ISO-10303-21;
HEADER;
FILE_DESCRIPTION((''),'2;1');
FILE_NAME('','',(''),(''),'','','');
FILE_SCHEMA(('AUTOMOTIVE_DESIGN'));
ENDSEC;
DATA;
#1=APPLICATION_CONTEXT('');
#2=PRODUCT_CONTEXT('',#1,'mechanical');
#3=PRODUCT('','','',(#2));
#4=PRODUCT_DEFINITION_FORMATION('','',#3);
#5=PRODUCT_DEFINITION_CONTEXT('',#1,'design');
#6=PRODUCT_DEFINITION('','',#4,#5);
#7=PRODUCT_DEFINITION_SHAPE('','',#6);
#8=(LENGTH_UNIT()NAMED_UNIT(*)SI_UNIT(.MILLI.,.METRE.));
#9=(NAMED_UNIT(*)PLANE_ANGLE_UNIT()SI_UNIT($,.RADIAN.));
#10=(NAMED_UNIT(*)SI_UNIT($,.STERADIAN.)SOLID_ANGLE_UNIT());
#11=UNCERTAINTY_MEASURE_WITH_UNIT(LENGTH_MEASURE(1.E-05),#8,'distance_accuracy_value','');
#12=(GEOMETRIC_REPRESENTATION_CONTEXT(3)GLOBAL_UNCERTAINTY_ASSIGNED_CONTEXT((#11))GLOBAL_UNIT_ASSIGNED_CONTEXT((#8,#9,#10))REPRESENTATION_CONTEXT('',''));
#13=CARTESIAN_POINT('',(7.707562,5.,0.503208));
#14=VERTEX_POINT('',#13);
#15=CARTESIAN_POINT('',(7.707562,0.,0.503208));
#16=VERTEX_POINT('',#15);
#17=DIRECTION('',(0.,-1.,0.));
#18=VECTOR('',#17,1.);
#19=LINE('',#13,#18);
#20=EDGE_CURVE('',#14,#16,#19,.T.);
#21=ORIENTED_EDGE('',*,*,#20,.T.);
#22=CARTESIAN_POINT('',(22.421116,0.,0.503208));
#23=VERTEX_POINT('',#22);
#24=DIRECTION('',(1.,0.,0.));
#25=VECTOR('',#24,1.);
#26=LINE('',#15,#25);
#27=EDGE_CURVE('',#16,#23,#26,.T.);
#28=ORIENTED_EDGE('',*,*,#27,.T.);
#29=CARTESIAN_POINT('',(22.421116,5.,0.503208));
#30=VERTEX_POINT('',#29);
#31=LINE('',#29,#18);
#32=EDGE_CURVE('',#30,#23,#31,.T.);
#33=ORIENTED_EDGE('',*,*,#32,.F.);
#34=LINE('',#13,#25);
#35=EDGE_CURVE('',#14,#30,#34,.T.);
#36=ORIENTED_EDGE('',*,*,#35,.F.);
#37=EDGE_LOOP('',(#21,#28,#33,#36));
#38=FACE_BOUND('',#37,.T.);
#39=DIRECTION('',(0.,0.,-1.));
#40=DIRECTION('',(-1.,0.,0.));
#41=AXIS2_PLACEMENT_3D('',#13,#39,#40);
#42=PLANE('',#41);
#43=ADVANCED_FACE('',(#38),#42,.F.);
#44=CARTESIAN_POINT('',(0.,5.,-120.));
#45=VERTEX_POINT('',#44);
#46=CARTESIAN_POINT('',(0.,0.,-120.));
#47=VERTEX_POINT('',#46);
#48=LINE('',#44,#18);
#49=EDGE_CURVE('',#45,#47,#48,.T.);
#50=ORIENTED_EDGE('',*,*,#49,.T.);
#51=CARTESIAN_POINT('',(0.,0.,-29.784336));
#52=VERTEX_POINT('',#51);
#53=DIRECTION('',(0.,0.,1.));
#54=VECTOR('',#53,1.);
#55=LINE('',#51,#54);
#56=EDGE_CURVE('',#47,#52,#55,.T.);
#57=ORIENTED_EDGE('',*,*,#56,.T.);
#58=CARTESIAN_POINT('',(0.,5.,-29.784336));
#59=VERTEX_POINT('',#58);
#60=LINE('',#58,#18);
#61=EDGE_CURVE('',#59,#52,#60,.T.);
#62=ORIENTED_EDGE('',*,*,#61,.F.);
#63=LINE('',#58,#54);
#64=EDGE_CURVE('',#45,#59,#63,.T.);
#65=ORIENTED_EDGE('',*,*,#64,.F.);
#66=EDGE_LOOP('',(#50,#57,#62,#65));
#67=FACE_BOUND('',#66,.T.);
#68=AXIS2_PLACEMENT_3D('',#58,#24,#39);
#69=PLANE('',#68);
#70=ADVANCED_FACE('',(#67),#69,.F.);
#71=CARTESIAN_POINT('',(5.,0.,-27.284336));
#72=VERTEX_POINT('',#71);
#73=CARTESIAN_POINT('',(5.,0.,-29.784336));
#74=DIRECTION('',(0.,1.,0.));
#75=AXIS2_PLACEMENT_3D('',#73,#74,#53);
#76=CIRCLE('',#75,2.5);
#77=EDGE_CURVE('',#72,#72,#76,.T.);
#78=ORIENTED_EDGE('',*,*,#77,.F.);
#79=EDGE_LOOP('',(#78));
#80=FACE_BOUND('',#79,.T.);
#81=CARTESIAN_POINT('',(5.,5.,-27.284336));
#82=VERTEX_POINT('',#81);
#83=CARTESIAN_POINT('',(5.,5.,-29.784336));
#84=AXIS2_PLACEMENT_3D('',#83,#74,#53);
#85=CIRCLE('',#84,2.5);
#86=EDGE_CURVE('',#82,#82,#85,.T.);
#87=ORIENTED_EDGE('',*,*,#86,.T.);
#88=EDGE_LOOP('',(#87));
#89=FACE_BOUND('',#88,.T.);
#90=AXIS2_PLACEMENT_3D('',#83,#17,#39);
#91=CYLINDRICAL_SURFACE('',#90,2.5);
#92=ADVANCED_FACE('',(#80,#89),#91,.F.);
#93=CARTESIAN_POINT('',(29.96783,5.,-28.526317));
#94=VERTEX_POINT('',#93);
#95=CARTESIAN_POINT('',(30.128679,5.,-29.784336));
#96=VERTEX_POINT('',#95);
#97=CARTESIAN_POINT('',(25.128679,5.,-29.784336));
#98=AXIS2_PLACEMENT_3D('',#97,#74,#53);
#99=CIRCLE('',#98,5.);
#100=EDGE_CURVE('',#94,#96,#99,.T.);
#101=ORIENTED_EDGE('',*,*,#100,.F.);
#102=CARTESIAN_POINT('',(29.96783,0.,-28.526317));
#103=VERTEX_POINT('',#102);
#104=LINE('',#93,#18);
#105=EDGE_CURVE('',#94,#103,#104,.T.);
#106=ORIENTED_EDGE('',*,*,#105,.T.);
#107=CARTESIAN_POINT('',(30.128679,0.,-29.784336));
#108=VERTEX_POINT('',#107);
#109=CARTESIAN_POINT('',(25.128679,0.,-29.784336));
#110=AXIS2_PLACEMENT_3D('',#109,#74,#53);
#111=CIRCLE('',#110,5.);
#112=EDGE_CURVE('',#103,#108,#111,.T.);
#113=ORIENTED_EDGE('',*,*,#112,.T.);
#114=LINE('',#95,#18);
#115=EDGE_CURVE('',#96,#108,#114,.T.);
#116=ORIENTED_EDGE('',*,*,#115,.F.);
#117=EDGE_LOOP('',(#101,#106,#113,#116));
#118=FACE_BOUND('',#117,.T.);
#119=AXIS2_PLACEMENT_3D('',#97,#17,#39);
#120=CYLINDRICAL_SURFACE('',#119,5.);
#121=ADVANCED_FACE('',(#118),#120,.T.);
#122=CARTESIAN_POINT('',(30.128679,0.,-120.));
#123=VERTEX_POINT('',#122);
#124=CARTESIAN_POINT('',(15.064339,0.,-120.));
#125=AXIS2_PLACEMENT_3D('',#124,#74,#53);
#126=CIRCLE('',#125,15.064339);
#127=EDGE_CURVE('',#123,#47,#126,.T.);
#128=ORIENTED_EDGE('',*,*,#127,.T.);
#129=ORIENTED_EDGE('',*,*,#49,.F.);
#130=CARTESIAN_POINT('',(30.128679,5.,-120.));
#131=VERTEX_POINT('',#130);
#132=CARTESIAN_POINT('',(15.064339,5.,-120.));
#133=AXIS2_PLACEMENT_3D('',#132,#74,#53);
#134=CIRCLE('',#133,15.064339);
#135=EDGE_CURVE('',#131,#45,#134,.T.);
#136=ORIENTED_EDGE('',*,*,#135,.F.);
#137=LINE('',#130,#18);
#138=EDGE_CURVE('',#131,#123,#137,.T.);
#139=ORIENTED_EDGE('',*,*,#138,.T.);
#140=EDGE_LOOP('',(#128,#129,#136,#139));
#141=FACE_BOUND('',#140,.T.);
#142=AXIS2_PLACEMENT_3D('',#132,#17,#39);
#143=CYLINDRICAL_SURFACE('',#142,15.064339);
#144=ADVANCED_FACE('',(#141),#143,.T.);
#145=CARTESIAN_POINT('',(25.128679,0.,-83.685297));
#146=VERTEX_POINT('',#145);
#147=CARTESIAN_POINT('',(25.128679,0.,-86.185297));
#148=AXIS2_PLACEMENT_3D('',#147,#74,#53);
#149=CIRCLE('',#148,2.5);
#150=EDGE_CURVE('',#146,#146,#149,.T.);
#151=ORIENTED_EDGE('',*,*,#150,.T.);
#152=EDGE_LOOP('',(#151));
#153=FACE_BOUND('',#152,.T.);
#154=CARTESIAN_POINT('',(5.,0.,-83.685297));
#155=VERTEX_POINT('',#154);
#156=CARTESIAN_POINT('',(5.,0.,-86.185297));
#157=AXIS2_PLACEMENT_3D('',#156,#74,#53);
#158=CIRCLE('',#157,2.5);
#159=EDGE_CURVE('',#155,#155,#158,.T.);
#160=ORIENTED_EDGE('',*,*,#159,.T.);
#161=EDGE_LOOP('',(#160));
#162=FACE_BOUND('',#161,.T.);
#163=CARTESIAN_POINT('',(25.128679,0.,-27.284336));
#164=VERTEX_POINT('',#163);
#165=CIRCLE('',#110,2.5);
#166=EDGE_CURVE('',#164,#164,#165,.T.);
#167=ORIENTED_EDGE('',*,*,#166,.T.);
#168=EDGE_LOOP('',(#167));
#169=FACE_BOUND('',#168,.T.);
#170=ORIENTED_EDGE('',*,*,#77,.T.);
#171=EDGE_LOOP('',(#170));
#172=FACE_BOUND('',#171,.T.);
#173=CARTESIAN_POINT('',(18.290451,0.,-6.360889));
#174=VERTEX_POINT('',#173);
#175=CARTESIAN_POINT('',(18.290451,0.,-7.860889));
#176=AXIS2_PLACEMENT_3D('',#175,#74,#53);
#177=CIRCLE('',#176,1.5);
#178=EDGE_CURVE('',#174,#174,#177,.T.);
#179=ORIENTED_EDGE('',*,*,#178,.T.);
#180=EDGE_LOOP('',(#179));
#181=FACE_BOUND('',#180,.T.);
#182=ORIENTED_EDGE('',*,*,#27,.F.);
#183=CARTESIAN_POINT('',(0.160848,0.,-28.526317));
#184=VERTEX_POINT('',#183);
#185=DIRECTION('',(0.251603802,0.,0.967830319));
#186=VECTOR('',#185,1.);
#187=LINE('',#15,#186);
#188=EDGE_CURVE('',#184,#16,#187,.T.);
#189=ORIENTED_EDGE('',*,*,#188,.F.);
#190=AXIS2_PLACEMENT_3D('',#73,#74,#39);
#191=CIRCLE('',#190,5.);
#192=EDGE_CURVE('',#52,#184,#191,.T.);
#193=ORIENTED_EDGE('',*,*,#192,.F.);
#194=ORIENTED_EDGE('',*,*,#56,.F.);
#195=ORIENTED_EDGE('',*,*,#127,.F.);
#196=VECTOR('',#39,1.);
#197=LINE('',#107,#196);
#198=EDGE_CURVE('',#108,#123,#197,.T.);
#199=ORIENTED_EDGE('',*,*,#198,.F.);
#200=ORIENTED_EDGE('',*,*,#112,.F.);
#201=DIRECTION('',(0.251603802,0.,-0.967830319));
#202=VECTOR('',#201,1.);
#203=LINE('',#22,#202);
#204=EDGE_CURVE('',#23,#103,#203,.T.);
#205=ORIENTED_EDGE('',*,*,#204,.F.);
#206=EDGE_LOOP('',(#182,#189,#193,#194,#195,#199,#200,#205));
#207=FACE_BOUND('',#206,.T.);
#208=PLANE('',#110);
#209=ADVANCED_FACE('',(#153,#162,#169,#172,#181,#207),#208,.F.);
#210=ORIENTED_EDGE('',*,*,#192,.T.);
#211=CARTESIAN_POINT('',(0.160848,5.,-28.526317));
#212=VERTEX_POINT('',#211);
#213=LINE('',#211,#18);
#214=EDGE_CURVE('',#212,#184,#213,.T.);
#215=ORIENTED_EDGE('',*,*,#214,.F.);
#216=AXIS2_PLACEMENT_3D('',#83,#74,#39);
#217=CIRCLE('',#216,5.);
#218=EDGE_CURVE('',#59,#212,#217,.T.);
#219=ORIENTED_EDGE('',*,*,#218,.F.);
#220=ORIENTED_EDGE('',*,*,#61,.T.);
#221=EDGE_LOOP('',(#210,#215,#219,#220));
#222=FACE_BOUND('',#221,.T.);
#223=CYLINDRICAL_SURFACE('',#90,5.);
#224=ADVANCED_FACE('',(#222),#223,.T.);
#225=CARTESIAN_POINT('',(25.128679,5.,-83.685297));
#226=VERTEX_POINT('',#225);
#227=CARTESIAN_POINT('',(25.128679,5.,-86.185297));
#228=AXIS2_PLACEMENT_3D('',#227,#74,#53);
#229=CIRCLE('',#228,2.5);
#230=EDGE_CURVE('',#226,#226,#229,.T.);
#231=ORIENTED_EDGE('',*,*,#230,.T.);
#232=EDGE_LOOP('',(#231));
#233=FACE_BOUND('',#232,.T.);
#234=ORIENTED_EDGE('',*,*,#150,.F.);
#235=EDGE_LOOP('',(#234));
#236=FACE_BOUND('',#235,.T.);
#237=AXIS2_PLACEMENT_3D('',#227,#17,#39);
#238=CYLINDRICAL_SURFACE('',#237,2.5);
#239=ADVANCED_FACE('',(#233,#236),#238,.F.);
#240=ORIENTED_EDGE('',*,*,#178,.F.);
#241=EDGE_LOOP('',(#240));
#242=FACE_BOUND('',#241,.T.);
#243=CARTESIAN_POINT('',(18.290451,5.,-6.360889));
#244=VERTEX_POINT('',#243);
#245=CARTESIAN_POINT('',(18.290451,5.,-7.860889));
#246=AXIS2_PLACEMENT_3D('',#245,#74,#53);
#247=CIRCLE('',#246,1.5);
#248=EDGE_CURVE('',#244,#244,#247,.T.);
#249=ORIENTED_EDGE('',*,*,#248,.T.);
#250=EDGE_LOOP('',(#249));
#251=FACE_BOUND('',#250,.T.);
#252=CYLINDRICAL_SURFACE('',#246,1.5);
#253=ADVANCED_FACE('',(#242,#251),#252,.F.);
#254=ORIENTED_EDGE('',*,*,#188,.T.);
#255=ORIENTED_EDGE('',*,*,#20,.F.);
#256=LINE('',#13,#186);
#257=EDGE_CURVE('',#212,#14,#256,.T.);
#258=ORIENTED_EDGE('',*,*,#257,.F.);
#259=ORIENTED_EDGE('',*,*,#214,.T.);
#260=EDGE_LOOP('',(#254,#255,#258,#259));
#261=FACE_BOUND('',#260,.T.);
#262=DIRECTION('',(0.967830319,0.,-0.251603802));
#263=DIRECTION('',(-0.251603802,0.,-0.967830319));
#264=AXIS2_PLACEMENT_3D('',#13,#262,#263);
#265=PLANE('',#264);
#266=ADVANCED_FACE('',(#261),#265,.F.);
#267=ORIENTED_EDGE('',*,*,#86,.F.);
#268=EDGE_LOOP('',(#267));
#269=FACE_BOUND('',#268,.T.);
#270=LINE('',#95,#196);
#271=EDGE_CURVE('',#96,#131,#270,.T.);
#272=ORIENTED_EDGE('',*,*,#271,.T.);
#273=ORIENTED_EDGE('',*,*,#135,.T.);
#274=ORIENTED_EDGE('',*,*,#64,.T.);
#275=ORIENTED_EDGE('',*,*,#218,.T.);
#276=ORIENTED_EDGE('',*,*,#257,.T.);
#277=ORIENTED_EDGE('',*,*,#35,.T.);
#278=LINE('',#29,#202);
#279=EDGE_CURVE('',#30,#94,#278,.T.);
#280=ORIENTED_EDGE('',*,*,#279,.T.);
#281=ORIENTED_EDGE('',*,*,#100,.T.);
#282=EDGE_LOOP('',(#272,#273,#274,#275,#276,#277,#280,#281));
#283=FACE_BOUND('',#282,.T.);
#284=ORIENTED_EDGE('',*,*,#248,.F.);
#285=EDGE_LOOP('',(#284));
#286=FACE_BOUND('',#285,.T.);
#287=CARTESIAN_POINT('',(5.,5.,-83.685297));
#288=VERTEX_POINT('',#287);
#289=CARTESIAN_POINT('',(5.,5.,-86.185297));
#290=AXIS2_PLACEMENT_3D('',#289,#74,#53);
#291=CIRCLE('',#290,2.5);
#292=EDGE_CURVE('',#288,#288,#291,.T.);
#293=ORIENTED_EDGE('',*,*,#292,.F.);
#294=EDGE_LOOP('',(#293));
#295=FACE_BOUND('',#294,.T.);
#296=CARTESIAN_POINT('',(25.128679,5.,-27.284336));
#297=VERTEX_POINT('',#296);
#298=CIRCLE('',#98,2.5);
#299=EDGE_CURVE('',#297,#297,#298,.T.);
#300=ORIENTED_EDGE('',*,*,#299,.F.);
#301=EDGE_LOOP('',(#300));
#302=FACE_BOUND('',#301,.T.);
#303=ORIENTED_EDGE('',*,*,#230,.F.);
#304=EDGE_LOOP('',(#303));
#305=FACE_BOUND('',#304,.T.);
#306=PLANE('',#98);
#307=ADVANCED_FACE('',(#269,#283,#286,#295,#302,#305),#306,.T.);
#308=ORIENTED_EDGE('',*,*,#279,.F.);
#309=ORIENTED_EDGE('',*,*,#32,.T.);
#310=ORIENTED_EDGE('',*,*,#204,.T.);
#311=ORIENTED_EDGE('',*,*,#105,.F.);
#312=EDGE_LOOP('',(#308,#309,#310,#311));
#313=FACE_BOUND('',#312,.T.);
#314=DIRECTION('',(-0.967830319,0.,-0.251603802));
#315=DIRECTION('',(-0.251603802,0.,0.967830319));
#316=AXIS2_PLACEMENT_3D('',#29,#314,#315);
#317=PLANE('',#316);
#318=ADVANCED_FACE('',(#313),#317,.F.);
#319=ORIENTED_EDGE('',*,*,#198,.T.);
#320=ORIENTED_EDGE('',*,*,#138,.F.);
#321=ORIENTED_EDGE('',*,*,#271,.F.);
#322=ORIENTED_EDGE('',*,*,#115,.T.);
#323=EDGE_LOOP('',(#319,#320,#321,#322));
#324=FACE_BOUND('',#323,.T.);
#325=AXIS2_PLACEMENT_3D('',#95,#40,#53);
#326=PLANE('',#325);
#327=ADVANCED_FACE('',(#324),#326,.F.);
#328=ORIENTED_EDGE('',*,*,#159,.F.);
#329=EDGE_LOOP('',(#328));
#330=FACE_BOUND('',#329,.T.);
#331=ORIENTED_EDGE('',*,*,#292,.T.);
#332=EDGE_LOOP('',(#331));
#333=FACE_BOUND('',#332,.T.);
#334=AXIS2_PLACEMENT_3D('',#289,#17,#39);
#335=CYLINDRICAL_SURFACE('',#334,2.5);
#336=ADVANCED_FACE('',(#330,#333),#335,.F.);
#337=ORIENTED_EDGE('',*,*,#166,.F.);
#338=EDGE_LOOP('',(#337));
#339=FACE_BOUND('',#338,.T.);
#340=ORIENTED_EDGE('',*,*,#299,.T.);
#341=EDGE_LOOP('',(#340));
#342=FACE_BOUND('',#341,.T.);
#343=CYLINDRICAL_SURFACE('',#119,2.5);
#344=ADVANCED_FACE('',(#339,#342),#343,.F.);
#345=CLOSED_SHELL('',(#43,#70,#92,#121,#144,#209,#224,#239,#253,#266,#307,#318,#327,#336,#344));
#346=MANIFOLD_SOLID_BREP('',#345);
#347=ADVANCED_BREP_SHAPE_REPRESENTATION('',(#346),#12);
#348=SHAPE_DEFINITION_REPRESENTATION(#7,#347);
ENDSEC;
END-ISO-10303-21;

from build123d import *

# Parameters (mm, degrees)
SKETCH1_R             = 2.5
BOSS_EXTRUDE1_DEPTH   = 5
F_3_0MM_DOWEL_HOLE3_D = 3


with BuildPart() as part:
    # Sketch1 → Boss-Extrude1 (new body)
    with BuildSketch(Plane(origin=(0, 0, 0), x_dir=(1, 0, 0), z_dir=(0, 1, 0))):
        with BuildLine():
            Line((7.707562498, -0.503207604), (0.160848404, 28.52631677))
            ThreePointArc((0.160848404, 28.52631677), (0.040375116, 29.15020566), (0, 29.784335781))
            Line((0, 29.784335781), (0, 120))
            ThreePointArc((0, 120), (15.064339362, 135.064339362), (30.128678723, 120))
            Line((30.128678723, 120), (30.128678723, 29.784335781))
            ThreePointArc((30.128678723, 29.784335781), (30.088303607, 29.15020566), (29.967830319, 28.52631677))
            Line((29.967830319, 28.52631677), (22.421116226, -0.503207604))
            Line((22.421116226, -0.503207604), (7.707562498, -0.503207604))
        make_face()
        with Locations(Location((5, 29.784335781, 0), (0, 0, 270))):
            Circle(SKETCH1_R, mode=Mode.SUBTRACT)
        with Locations(Location((25.128678723, 29.784335781, 0), (0, 0, 270))):
            Circle(SKETCH1_R, mode=Mode.SUBTRACT)
        with Locations(Location((25.128678723, 86.185297163, 0), (0, 0, 270))):
            Circle(SKETCH1_R, mode=Mode.SUBTRACT)
        with Locations(Location((5, 86.185297163, 0), (0, 0, 270))):
            Circle(SKETCH1_R, mode=Mode.SUBTRACT)
    extrude(amount=BOSS_EXTRUDE1_DEPTH)

    # Ø3.0mm Dowel Hole3 (through all)
    with Locations(Plane(origin=(18.290450711, 5, -7.860888975), x_dir=(0, 0, 1), z_dir=(0, 1, 0))):
        with Locations((0, 0)):
            Hole(F_3_0MM_DOWEL_HOLE3_D / 2)


solid = part.part
